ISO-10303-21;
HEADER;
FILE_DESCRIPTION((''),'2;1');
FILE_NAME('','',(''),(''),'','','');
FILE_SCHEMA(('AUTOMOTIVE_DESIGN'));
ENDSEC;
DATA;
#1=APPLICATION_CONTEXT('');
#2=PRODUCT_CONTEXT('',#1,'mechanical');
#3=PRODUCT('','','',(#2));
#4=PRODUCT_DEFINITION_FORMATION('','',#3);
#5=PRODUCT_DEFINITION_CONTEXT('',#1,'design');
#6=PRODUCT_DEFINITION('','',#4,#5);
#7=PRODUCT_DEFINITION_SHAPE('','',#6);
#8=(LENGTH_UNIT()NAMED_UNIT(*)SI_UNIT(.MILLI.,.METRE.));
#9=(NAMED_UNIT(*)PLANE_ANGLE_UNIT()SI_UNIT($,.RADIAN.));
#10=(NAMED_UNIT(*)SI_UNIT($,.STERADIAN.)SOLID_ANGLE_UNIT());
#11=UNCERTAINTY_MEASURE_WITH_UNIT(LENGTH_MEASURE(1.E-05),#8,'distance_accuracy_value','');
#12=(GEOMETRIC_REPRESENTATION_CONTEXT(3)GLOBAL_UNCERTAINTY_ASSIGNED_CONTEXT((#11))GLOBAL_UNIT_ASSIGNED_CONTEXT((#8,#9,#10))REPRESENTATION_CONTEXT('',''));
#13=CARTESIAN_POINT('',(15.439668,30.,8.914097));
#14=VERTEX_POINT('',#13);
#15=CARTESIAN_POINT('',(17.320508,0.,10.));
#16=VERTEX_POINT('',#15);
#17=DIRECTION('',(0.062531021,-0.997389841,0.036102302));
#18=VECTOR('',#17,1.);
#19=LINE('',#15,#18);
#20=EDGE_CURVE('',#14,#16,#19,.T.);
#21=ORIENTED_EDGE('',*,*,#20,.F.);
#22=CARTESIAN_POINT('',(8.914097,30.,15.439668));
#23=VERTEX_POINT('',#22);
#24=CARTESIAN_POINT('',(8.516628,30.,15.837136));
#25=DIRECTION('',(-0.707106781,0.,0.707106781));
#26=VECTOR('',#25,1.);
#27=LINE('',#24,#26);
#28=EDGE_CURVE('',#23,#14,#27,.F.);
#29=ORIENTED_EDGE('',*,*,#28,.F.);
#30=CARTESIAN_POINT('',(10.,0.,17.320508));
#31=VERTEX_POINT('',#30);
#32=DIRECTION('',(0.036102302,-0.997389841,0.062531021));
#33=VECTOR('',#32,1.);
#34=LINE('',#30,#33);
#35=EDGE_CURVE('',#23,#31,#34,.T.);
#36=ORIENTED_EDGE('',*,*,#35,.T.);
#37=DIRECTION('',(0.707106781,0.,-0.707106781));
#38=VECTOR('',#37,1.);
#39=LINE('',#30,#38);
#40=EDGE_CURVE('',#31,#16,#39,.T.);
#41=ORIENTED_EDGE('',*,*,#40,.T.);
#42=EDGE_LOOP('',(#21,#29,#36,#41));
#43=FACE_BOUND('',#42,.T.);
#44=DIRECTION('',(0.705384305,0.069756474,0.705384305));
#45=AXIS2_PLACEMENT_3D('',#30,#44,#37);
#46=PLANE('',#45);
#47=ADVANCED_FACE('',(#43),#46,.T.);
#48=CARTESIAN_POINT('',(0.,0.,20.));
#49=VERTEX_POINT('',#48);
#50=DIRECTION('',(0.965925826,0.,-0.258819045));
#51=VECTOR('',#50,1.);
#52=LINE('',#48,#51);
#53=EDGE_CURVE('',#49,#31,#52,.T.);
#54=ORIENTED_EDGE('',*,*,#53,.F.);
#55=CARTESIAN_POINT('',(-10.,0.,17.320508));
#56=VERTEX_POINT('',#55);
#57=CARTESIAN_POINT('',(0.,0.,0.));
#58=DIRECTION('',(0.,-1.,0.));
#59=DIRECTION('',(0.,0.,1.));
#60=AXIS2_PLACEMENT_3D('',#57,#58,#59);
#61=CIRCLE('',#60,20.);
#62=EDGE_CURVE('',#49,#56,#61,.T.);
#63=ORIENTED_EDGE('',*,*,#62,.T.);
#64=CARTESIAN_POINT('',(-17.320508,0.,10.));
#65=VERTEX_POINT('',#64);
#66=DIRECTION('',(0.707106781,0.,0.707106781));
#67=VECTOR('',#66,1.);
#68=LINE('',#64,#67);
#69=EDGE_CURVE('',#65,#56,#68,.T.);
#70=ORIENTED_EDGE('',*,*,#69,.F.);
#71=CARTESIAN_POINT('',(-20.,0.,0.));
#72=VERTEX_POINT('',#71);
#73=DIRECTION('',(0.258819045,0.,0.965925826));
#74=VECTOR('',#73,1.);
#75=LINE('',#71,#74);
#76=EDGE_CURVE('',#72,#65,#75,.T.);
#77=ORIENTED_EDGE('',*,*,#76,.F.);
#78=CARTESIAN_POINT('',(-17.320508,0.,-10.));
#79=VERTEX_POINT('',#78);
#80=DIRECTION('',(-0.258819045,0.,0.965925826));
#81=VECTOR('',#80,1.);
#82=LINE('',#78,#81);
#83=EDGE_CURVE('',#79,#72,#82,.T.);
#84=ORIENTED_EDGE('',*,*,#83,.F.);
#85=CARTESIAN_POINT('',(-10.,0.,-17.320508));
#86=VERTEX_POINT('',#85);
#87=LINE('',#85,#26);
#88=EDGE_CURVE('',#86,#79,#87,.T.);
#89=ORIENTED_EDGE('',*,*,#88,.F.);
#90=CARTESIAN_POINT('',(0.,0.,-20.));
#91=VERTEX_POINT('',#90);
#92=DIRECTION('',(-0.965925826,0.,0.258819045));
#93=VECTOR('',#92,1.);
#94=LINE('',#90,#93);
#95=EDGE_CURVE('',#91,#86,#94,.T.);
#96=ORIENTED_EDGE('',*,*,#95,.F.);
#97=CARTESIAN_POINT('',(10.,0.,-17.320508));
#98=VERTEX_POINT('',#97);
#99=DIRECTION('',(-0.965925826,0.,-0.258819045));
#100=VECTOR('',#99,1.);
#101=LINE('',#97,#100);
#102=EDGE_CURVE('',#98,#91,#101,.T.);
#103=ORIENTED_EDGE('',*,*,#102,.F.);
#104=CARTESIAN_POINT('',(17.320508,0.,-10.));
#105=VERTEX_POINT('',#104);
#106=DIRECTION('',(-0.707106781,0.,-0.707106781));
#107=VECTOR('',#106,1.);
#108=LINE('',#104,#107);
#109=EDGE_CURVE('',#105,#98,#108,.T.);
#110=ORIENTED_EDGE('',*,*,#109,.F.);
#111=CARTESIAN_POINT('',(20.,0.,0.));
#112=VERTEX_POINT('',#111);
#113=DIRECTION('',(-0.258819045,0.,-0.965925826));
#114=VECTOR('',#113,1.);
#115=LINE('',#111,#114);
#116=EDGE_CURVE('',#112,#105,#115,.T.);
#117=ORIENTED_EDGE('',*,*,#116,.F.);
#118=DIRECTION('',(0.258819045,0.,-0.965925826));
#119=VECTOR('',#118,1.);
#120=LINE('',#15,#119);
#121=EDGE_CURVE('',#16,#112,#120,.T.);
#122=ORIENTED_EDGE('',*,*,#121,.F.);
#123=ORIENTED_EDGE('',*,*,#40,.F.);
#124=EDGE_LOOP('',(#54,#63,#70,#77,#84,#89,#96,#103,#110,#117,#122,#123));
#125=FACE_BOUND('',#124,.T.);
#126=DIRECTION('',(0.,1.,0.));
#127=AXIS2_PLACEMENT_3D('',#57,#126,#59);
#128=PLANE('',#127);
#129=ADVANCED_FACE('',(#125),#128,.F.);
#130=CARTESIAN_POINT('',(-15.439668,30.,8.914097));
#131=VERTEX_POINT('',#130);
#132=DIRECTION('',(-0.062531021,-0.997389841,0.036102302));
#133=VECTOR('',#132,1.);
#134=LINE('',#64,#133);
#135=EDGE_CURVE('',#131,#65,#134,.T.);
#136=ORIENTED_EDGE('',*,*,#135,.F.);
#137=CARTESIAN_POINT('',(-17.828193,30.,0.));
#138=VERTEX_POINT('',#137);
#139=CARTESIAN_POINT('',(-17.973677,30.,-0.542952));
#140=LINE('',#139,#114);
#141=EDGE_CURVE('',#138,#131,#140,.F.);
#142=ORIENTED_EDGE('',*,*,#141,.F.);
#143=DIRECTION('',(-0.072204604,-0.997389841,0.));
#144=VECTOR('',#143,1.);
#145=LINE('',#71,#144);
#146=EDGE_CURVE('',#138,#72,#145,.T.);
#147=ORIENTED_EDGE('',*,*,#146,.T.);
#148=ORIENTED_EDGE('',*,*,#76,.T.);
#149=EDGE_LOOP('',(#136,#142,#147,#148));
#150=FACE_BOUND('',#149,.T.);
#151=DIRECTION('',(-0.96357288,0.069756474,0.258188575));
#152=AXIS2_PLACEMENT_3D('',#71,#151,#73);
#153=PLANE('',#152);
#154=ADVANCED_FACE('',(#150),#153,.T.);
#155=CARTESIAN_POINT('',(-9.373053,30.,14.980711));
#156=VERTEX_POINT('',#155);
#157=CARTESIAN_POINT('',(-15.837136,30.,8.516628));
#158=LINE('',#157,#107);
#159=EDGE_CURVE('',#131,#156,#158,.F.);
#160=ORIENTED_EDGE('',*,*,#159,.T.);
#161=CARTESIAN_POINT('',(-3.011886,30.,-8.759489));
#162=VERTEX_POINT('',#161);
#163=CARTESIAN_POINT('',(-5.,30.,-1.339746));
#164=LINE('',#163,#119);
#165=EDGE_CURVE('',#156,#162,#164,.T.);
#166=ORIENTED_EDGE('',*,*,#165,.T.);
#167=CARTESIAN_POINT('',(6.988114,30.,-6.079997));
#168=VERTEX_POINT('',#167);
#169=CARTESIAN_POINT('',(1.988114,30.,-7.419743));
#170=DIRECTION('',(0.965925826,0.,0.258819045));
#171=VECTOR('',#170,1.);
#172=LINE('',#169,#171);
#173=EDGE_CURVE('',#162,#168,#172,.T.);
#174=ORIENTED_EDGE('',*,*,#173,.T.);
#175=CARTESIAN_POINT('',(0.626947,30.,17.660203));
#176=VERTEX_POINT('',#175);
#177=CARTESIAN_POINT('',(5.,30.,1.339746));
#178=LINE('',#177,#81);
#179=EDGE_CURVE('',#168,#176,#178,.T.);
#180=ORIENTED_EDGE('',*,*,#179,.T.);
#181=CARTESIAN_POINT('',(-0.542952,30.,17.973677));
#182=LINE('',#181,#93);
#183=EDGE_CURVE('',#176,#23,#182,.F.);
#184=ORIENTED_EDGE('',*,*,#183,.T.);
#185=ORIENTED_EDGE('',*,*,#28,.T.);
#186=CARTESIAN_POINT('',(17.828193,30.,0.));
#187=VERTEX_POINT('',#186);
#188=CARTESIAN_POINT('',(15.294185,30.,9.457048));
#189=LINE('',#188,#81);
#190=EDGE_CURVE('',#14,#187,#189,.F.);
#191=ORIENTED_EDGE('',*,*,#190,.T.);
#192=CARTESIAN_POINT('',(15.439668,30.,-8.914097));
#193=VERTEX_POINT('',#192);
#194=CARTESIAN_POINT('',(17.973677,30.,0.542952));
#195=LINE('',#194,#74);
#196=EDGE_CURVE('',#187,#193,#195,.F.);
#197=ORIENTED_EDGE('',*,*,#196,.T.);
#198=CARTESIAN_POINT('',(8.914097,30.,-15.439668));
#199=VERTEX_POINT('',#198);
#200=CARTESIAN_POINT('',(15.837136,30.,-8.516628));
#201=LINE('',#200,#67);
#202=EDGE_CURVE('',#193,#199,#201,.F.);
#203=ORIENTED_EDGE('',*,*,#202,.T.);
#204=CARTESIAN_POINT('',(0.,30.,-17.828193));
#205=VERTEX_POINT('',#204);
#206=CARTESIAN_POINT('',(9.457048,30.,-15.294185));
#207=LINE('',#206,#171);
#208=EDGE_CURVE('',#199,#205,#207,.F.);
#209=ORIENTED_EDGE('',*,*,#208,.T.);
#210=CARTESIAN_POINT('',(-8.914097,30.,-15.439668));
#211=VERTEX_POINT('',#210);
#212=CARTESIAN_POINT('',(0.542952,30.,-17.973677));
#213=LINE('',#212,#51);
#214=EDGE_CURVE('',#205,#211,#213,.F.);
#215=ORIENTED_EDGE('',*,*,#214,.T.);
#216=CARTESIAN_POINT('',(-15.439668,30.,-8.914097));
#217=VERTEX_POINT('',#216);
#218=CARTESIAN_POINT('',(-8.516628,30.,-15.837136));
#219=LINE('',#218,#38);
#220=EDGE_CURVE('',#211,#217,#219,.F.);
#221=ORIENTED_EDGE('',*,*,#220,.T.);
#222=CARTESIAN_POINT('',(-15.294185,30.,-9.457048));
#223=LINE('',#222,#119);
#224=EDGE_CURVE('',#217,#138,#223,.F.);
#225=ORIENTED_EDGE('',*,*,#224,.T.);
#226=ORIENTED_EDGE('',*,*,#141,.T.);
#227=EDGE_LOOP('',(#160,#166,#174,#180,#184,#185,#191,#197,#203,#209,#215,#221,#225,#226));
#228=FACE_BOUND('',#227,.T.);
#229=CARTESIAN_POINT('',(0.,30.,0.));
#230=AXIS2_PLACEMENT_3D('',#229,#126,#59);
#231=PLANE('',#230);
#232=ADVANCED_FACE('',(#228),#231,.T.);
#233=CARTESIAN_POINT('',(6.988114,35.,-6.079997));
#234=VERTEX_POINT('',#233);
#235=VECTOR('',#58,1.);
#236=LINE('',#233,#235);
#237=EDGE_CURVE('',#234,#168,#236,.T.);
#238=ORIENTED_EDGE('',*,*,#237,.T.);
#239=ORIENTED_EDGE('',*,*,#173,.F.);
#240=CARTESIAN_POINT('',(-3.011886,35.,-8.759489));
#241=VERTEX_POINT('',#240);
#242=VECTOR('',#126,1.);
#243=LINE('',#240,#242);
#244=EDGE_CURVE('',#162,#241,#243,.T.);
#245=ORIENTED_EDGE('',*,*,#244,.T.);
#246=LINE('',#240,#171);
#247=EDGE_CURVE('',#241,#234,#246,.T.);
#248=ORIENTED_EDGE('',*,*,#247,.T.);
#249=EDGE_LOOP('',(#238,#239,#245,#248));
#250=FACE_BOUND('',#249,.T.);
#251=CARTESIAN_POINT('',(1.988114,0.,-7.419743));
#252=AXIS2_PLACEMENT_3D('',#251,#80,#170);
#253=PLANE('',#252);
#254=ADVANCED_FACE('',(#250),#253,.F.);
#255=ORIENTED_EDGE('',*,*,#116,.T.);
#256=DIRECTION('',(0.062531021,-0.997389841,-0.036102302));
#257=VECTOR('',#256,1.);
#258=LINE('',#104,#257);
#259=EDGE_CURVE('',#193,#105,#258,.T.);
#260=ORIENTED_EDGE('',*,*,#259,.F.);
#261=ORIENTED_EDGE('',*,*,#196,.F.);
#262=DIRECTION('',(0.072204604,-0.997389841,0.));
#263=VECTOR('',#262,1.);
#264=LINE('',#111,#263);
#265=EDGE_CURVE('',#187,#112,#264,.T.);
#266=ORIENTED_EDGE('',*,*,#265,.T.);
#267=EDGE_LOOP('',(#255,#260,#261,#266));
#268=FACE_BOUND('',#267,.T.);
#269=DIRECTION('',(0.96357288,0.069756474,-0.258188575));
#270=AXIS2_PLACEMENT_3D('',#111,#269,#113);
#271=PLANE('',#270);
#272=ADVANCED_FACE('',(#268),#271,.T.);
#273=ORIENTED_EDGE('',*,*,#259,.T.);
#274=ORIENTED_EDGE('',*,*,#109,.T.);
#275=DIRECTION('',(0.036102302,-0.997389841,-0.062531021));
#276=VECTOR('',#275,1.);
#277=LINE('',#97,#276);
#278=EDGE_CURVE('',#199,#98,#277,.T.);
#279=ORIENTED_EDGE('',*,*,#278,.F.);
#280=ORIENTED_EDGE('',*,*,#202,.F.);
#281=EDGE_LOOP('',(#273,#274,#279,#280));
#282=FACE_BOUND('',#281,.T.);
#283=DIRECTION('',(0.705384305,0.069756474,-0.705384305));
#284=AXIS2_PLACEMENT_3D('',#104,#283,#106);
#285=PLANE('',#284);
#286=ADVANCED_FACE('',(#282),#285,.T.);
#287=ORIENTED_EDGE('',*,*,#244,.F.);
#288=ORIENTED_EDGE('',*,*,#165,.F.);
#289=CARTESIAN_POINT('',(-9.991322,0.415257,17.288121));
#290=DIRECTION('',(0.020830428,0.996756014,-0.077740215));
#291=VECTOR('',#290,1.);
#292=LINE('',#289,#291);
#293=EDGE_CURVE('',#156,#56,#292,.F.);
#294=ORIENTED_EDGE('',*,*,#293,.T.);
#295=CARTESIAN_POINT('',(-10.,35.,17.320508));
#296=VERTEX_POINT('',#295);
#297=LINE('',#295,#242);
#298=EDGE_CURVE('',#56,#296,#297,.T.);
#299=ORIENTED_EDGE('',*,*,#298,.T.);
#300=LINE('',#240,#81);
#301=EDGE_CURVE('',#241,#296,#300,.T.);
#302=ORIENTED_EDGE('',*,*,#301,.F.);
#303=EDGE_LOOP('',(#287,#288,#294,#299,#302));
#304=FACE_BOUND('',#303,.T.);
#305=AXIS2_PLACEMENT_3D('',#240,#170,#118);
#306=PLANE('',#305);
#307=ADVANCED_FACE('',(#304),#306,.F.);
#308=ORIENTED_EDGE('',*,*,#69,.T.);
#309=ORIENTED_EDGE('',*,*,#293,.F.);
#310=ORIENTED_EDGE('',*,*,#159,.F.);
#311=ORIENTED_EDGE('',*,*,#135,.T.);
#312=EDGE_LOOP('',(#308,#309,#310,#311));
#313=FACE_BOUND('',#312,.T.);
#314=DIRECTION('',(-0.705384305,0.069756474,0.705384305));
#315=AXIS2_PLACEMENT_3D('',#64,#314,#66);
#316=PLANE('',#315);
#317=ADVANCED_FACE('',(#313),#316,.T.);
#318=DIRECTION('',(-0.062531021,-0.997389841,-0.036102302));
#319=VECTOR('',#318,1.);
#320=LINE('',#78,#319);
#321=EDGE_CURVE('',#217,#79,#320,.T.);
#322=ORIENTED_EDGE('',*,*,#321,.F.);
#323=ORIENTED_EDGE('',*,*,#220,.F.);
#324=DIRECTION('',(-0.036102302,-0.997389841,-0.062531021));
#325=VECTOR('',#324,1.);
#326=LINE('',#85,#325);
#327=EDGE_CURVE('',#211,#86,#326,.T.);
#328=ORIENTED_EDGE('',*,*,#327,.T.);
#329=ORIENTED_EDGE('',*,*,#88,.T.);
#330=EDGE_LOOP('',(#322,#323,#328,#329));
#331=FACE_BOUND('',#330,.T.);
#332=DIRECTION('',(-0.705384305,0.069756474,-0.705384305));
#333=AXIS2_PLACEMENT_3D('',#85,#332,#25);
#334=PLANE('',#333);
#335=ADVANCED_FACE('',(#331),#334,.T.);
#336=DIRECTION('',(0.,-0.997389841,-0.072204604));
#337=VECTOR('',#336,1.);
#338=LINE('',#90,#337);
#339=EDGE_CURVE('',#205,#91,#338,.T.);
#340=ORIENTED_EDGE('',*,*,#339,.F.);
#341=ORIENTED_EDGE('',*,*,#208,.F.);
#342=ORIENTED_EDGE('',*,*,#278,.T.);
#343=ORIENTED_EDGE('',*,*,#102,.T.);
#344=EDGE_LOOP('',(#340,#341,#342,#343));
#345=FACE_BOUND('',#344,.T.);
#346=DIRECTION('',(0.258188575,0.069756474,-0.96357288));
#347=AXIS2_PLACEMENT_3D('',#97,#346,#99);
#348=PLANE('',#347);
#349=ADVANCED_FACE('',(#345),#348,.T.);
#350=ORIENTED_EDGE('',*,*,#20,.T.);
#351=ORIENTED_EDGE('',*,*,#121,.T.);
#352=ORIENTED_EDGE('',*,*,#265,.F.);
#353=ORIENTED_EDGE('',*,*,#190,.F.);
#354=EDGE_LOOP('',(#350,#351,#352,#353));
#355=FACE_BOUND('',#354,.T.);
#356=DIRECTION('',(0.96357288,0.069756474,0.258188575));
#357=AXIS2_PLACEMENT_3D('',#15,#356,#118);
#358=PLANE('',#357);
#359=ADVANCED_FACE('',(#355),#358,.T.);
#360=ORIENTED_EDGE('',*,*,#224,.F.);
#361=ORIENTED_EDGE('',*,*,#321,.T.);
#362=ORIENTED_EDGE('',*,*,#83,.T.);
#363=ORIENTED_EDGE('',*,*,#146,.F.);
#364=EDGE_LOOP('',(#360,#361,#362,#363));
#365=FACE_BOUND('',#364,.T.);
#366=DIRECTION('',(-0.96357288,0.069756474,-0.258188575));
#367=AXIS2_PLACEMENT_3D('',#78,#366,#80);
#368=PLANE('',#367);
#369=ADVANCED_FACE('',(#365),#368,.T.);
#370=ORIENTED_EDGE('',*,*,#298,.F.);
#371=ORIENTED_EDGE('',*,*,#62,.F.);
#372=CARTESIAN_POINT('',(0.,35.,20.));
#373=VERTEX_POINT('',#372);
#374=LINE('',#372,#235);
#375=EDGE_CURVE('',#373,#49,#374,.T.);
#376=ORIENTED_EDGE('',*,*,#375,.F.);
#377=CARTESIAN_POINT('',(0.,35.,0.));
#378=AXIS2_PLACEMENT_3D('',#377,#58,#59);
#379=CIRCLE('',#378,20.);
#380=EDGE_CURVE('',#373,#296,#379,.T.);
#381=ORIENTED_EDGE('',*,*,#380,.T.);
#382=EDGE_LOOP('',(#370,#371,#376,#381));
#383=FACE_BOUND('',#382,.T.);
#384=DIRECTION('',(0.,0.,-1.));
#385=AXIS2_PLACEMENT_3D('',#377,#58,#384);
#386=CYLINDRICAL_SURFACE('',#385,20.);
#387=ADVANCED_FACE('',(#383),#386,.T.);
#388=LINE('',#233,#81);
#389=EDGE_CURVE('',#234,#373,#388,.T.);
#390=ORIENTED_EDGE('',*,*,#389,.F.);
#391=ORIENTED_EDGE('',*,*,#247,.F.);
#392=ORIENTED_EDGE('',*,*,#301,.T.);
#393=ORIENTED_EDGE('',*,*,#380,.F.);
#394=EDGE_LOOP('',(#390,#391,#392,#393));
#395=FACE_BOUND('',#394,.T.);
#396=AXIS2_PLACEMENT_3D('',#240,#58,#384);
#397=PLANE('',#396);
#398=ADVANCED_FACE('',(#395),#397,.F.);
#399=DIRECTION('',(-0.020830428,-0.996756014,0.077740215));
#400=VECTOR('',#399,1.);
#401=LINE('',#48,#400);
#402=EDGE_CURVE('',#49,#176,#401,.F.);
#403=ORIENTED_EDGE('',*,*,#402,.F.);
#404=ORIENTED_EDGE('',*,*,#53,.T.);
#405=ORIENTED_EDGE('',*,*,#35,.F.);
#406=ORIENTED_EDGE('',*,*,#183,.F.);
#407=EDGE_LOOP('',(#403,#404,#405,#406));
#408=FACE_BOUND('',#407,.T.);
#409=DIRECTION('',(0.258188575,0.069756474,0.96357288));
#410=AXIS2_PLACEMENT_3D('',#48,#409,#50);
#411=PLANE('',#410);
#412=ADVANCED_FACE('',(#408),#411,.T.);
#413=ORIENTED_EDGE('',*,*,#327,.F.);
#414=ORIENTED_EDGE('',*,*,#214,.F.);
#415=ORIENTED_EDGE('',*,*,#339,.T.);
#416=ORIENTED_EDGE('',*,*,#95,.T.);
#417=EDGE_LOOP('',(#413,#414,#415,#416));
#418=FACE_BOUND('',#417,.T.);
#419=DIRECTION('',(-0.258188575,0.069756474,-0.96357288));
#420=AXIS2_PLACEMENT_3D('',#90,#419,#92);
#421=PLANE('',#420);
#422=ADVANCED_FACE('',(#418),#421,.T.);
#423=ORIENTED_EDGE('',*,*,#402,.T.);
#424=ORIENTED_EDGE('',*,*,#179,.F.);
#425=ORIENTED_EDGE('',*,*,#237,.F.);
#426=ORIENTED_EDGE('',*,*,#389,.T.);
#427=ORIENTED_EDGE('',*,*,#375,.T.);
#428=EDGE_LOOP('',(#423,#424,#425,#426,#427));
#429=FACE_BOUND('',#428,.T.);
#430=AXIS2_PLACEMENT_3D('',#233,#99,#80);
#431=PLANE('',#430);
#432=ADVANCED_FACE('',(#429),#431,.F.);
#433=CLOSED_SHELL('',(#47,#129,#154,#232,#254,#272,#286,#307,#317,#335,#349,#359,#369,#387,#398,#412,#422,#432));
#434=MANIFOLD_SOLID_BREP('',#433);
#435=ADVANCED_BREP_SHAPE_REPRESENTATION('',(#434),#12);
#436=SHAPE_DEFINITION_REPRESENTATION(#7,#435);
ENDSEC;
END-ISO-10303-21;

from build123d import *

# Parameters (mm, degrees)
BOSS_EXTRUDE1_DEPTH = 30
BOSS_EXTRUDE1_TAPER = 4
BOSS_EXTRUDE2_DEPTH = 35
SKETCH5_W           = 10.352761804
SKETCH5_H           = 35
BOSS_EXTRUDE3_DEPTH = 27


with BuildPart() as part:
    # Sketch1 → Boss-Extrude1 (new body)
    with BuildSketch(Plane(origin=(0, 0, 0), x_dir=(1, 0, 0), z_dir=(0, 1, 0))):
        Polygon((-20, 0), (-17.320508076, -10), (-10, -17.320508076), (0, -20), (10, -17.320508076), (17.320508076, -10), (20, 0), (17.320508076, 10), (10, 17.320508076), (0, 20), (-10, 17.320508076), (-17.320508076, 10), align=None)
    extrude(amount=BOSS_EXTRUDE1_DEPTH, taper=BOSS_EXTRUDE1_TAPER)



with BuildPart() as body_2:
    # Sketch3 → Boss-Extrude2 (new body)
    with BuildSketch(Plane(origin=(0, 0, 0), x_dir=(-1, 0, 0), z_dir=(0, -1, 0))):
        with BuildLine():
            Line((10, -17.320508076), (0, -20))
            ThreePointArc((0, -20), (5.176380902, -19.318516526), (10, -17.320508076))
        make_face()
    extrude(amount=-BOSS_EXTRUDE2_DEPTH)


with BuildPart() as part_1:
    add(part.part)

    add(body_2.part)  # Boss-Extrude3 merges body 2
    # Sketch5 → Boss-Extrude3 (add)
    with BuildSketch(Plane(origin=(-5, 0, 18.660254038), x_dir=(-0.9659258262890708, 0, -0.2588190451025115), z_dir=(0.2588190451025115, 0, -0.9659258262890709))):
        with Locations((0, 17.5)):
            Rectangle(SKETCH5_W, SKETCH5_H)
    extrude(amount=BOSS_EXTRUDE3_DEPTH)


solid = part_1.part
